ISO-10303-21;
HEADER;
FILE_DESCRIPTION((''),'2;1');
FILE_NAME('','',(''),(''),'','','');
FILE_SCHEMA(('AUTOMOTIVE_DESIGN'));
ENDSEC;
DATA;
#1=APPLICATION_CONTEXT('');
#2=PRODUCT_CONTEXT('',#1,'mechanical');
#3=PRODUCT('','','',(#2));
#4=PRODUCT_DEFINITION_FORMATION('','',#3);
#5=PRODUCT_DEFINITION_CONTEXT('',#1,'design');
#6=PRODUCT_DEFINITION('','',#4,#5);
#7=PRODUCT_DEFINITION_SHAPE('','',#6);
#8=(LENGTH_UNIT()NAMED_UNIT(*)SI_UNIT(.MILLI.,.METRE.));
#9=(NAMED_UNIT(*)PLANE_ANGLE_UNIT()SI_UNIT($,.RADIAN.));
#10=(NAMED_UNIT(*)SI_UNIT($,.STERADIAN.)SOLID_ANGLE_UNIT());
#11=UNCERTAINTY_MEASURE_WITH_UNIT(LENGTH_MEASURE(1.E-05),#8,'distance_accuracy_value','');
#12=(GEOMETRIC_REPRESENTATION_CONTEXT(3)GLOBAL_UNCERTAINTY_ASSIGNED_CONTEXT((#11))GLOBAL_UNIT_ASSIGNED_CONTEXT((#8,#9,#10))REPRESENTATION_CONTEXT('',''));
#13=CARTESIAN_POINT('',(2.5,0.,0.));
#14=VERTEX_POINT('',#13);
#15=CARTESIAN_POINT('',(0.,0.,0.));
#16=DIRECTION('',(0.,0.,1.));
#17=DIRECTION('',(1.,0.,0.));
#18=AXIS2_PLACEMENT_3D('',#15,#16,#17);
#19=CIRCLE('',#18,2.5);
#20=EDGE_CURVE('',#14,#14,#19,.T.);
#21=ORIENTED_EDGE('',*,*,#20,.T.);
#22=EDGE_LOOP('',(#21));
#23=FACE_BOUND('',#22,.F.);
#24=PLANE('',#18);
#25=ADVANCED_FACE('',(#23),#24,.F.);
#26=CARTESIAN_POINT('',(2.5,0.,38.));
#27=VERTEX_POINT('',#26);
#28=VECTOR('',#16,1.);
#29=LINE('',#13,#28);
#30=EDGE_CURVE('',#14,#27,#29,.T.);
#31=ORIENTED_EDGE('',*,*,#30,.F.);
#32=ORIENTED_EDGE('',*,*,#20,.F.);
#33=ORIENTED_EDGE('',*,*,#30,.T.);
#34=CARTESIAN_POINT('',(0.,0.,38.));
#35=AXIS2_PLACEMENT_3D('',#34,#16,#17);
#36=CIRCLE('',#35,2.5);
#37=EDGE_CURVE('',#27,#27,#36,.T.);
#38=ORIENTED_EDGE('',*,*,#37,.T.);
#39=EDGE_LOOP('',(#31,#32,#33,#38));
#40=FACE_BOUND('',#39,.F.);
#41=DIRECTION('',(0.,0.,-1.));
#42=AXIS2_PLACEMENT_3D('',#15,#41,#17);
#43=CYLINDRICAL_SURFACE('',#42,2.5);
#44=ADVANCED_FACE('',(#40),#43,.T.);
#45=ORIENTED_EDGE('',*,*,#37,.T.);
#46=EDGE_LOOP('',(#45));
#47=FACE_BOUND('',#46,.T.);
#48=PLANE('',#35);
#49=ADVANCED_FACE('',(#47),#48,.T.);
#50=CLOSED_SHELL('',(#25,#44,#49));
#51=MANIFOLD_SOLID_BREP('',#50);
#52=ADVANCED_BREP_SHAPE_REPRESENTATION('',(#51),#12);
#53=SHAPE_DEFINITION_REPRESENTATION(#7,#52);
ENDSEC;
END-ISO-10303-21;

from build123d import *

# Parameters (mm, degrees)
CYLINDER_R     = 2.5
CYLINDER_DEPTH = 38


with BuildPart() as part:
    # Cylinder → Cylinder (new body)
    with BuildSketch(Plane.XY):
        Circle(CYLINDER_R)
    extrude(amount=CYLINDER_DEPTH)


solid = part.part
